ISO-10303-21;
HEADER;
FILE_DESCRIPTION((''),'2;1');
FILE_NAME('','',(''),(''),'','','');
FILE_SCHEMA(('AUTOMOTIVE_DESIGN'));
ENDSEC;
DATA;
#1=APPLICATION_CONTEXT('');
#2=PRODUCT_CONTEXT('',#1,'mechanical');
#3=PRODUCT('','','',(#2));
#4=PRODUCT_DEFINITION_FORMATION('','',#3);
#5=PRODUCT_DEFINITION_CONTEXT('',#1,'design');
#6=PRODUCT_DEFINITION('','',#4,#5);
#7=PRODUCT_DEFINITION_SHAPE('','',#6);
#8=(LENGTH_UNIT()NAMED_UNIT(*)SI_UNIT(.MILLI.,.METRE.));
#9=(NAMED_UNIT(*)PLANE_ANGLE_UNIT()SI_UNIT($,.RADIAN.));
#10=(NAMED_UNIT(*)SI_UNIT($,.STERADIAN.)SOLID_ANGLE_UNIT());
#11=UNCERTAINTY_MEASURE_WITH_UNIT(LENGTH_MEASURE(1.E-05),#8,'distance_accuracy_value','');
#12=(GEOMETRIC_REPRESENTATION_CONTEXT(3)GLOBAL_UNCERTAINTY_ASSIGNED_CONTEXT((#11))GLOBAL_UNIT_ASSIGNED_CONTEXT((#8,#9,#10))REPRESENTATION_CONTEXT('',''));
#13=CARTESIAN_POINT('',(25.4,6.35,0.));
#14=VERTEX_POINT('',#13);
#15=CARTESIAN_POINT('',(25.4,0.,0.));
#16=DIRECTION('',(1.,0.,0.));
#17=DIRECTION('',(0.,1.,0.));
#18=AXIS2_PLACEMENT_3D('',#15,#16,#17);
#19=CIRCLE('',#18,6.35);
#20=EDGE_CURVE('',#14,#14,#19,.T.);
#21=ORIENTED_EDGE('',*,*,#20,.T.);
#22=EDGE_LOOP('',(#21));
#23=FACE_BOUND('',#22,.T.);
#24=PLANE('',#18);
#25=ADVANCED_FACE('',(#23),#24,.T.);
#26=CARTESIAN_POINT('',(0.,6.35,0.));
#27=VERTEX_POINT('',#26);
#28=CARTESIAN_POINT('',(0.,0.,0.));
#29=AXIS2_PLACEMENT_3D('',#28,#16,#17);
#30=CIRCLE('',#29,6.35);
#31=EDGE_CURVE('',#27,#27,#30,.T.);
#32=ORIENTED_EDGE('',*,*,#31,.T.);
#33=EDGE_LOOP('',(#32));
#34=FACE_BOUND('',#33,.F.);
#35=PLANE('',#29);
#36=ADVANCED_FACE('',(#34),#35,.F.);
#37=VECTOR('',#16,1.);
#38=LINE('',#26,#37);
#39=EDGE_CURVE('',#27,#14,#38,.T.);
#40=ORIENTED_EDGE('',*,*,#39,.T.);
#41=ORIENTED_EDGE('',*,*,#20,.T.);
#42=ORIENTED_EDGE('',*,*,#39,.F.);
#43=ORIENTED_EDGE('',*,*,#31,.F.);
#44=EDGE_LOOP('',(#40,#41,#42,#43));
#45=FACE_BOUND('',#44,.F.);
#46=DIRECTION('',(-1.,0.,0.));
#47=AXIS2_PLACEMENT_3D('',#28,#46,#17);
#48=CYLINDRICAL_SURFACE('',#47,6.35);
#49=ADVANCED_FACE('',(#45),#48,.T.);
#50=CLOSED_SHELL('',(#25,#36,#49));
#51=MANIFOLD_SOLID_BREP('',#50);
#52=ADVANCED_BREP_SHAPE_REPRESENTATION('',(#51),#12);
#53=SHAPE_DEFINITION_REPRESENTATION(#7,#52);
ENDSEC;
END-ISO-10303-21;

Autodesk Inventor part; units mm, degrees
ref_plane "YZ Plane" through (0, 0, 0) normal (1, 0, 0) x (0, 1, 0)
ref_plane "XZ Plane" through (0, 0, 0) normal (0, 1, 0) x (-1, 0, 0)
ref_plane "XY Plane" through (0, 0, 0) normal (0, 0, 1) x (1, 0, 0)
sketch "Sketch1" plane through (0, 0, 0) normal (1, 0, 0) x (0, 1, 0)
  circle A0 centre (0, 0) radius 6.35
  dimension "d0" = 12.7
extrude "Extrusion1" add sketch "Sketch1" along normal blind 25.4
properties part number "gear"
